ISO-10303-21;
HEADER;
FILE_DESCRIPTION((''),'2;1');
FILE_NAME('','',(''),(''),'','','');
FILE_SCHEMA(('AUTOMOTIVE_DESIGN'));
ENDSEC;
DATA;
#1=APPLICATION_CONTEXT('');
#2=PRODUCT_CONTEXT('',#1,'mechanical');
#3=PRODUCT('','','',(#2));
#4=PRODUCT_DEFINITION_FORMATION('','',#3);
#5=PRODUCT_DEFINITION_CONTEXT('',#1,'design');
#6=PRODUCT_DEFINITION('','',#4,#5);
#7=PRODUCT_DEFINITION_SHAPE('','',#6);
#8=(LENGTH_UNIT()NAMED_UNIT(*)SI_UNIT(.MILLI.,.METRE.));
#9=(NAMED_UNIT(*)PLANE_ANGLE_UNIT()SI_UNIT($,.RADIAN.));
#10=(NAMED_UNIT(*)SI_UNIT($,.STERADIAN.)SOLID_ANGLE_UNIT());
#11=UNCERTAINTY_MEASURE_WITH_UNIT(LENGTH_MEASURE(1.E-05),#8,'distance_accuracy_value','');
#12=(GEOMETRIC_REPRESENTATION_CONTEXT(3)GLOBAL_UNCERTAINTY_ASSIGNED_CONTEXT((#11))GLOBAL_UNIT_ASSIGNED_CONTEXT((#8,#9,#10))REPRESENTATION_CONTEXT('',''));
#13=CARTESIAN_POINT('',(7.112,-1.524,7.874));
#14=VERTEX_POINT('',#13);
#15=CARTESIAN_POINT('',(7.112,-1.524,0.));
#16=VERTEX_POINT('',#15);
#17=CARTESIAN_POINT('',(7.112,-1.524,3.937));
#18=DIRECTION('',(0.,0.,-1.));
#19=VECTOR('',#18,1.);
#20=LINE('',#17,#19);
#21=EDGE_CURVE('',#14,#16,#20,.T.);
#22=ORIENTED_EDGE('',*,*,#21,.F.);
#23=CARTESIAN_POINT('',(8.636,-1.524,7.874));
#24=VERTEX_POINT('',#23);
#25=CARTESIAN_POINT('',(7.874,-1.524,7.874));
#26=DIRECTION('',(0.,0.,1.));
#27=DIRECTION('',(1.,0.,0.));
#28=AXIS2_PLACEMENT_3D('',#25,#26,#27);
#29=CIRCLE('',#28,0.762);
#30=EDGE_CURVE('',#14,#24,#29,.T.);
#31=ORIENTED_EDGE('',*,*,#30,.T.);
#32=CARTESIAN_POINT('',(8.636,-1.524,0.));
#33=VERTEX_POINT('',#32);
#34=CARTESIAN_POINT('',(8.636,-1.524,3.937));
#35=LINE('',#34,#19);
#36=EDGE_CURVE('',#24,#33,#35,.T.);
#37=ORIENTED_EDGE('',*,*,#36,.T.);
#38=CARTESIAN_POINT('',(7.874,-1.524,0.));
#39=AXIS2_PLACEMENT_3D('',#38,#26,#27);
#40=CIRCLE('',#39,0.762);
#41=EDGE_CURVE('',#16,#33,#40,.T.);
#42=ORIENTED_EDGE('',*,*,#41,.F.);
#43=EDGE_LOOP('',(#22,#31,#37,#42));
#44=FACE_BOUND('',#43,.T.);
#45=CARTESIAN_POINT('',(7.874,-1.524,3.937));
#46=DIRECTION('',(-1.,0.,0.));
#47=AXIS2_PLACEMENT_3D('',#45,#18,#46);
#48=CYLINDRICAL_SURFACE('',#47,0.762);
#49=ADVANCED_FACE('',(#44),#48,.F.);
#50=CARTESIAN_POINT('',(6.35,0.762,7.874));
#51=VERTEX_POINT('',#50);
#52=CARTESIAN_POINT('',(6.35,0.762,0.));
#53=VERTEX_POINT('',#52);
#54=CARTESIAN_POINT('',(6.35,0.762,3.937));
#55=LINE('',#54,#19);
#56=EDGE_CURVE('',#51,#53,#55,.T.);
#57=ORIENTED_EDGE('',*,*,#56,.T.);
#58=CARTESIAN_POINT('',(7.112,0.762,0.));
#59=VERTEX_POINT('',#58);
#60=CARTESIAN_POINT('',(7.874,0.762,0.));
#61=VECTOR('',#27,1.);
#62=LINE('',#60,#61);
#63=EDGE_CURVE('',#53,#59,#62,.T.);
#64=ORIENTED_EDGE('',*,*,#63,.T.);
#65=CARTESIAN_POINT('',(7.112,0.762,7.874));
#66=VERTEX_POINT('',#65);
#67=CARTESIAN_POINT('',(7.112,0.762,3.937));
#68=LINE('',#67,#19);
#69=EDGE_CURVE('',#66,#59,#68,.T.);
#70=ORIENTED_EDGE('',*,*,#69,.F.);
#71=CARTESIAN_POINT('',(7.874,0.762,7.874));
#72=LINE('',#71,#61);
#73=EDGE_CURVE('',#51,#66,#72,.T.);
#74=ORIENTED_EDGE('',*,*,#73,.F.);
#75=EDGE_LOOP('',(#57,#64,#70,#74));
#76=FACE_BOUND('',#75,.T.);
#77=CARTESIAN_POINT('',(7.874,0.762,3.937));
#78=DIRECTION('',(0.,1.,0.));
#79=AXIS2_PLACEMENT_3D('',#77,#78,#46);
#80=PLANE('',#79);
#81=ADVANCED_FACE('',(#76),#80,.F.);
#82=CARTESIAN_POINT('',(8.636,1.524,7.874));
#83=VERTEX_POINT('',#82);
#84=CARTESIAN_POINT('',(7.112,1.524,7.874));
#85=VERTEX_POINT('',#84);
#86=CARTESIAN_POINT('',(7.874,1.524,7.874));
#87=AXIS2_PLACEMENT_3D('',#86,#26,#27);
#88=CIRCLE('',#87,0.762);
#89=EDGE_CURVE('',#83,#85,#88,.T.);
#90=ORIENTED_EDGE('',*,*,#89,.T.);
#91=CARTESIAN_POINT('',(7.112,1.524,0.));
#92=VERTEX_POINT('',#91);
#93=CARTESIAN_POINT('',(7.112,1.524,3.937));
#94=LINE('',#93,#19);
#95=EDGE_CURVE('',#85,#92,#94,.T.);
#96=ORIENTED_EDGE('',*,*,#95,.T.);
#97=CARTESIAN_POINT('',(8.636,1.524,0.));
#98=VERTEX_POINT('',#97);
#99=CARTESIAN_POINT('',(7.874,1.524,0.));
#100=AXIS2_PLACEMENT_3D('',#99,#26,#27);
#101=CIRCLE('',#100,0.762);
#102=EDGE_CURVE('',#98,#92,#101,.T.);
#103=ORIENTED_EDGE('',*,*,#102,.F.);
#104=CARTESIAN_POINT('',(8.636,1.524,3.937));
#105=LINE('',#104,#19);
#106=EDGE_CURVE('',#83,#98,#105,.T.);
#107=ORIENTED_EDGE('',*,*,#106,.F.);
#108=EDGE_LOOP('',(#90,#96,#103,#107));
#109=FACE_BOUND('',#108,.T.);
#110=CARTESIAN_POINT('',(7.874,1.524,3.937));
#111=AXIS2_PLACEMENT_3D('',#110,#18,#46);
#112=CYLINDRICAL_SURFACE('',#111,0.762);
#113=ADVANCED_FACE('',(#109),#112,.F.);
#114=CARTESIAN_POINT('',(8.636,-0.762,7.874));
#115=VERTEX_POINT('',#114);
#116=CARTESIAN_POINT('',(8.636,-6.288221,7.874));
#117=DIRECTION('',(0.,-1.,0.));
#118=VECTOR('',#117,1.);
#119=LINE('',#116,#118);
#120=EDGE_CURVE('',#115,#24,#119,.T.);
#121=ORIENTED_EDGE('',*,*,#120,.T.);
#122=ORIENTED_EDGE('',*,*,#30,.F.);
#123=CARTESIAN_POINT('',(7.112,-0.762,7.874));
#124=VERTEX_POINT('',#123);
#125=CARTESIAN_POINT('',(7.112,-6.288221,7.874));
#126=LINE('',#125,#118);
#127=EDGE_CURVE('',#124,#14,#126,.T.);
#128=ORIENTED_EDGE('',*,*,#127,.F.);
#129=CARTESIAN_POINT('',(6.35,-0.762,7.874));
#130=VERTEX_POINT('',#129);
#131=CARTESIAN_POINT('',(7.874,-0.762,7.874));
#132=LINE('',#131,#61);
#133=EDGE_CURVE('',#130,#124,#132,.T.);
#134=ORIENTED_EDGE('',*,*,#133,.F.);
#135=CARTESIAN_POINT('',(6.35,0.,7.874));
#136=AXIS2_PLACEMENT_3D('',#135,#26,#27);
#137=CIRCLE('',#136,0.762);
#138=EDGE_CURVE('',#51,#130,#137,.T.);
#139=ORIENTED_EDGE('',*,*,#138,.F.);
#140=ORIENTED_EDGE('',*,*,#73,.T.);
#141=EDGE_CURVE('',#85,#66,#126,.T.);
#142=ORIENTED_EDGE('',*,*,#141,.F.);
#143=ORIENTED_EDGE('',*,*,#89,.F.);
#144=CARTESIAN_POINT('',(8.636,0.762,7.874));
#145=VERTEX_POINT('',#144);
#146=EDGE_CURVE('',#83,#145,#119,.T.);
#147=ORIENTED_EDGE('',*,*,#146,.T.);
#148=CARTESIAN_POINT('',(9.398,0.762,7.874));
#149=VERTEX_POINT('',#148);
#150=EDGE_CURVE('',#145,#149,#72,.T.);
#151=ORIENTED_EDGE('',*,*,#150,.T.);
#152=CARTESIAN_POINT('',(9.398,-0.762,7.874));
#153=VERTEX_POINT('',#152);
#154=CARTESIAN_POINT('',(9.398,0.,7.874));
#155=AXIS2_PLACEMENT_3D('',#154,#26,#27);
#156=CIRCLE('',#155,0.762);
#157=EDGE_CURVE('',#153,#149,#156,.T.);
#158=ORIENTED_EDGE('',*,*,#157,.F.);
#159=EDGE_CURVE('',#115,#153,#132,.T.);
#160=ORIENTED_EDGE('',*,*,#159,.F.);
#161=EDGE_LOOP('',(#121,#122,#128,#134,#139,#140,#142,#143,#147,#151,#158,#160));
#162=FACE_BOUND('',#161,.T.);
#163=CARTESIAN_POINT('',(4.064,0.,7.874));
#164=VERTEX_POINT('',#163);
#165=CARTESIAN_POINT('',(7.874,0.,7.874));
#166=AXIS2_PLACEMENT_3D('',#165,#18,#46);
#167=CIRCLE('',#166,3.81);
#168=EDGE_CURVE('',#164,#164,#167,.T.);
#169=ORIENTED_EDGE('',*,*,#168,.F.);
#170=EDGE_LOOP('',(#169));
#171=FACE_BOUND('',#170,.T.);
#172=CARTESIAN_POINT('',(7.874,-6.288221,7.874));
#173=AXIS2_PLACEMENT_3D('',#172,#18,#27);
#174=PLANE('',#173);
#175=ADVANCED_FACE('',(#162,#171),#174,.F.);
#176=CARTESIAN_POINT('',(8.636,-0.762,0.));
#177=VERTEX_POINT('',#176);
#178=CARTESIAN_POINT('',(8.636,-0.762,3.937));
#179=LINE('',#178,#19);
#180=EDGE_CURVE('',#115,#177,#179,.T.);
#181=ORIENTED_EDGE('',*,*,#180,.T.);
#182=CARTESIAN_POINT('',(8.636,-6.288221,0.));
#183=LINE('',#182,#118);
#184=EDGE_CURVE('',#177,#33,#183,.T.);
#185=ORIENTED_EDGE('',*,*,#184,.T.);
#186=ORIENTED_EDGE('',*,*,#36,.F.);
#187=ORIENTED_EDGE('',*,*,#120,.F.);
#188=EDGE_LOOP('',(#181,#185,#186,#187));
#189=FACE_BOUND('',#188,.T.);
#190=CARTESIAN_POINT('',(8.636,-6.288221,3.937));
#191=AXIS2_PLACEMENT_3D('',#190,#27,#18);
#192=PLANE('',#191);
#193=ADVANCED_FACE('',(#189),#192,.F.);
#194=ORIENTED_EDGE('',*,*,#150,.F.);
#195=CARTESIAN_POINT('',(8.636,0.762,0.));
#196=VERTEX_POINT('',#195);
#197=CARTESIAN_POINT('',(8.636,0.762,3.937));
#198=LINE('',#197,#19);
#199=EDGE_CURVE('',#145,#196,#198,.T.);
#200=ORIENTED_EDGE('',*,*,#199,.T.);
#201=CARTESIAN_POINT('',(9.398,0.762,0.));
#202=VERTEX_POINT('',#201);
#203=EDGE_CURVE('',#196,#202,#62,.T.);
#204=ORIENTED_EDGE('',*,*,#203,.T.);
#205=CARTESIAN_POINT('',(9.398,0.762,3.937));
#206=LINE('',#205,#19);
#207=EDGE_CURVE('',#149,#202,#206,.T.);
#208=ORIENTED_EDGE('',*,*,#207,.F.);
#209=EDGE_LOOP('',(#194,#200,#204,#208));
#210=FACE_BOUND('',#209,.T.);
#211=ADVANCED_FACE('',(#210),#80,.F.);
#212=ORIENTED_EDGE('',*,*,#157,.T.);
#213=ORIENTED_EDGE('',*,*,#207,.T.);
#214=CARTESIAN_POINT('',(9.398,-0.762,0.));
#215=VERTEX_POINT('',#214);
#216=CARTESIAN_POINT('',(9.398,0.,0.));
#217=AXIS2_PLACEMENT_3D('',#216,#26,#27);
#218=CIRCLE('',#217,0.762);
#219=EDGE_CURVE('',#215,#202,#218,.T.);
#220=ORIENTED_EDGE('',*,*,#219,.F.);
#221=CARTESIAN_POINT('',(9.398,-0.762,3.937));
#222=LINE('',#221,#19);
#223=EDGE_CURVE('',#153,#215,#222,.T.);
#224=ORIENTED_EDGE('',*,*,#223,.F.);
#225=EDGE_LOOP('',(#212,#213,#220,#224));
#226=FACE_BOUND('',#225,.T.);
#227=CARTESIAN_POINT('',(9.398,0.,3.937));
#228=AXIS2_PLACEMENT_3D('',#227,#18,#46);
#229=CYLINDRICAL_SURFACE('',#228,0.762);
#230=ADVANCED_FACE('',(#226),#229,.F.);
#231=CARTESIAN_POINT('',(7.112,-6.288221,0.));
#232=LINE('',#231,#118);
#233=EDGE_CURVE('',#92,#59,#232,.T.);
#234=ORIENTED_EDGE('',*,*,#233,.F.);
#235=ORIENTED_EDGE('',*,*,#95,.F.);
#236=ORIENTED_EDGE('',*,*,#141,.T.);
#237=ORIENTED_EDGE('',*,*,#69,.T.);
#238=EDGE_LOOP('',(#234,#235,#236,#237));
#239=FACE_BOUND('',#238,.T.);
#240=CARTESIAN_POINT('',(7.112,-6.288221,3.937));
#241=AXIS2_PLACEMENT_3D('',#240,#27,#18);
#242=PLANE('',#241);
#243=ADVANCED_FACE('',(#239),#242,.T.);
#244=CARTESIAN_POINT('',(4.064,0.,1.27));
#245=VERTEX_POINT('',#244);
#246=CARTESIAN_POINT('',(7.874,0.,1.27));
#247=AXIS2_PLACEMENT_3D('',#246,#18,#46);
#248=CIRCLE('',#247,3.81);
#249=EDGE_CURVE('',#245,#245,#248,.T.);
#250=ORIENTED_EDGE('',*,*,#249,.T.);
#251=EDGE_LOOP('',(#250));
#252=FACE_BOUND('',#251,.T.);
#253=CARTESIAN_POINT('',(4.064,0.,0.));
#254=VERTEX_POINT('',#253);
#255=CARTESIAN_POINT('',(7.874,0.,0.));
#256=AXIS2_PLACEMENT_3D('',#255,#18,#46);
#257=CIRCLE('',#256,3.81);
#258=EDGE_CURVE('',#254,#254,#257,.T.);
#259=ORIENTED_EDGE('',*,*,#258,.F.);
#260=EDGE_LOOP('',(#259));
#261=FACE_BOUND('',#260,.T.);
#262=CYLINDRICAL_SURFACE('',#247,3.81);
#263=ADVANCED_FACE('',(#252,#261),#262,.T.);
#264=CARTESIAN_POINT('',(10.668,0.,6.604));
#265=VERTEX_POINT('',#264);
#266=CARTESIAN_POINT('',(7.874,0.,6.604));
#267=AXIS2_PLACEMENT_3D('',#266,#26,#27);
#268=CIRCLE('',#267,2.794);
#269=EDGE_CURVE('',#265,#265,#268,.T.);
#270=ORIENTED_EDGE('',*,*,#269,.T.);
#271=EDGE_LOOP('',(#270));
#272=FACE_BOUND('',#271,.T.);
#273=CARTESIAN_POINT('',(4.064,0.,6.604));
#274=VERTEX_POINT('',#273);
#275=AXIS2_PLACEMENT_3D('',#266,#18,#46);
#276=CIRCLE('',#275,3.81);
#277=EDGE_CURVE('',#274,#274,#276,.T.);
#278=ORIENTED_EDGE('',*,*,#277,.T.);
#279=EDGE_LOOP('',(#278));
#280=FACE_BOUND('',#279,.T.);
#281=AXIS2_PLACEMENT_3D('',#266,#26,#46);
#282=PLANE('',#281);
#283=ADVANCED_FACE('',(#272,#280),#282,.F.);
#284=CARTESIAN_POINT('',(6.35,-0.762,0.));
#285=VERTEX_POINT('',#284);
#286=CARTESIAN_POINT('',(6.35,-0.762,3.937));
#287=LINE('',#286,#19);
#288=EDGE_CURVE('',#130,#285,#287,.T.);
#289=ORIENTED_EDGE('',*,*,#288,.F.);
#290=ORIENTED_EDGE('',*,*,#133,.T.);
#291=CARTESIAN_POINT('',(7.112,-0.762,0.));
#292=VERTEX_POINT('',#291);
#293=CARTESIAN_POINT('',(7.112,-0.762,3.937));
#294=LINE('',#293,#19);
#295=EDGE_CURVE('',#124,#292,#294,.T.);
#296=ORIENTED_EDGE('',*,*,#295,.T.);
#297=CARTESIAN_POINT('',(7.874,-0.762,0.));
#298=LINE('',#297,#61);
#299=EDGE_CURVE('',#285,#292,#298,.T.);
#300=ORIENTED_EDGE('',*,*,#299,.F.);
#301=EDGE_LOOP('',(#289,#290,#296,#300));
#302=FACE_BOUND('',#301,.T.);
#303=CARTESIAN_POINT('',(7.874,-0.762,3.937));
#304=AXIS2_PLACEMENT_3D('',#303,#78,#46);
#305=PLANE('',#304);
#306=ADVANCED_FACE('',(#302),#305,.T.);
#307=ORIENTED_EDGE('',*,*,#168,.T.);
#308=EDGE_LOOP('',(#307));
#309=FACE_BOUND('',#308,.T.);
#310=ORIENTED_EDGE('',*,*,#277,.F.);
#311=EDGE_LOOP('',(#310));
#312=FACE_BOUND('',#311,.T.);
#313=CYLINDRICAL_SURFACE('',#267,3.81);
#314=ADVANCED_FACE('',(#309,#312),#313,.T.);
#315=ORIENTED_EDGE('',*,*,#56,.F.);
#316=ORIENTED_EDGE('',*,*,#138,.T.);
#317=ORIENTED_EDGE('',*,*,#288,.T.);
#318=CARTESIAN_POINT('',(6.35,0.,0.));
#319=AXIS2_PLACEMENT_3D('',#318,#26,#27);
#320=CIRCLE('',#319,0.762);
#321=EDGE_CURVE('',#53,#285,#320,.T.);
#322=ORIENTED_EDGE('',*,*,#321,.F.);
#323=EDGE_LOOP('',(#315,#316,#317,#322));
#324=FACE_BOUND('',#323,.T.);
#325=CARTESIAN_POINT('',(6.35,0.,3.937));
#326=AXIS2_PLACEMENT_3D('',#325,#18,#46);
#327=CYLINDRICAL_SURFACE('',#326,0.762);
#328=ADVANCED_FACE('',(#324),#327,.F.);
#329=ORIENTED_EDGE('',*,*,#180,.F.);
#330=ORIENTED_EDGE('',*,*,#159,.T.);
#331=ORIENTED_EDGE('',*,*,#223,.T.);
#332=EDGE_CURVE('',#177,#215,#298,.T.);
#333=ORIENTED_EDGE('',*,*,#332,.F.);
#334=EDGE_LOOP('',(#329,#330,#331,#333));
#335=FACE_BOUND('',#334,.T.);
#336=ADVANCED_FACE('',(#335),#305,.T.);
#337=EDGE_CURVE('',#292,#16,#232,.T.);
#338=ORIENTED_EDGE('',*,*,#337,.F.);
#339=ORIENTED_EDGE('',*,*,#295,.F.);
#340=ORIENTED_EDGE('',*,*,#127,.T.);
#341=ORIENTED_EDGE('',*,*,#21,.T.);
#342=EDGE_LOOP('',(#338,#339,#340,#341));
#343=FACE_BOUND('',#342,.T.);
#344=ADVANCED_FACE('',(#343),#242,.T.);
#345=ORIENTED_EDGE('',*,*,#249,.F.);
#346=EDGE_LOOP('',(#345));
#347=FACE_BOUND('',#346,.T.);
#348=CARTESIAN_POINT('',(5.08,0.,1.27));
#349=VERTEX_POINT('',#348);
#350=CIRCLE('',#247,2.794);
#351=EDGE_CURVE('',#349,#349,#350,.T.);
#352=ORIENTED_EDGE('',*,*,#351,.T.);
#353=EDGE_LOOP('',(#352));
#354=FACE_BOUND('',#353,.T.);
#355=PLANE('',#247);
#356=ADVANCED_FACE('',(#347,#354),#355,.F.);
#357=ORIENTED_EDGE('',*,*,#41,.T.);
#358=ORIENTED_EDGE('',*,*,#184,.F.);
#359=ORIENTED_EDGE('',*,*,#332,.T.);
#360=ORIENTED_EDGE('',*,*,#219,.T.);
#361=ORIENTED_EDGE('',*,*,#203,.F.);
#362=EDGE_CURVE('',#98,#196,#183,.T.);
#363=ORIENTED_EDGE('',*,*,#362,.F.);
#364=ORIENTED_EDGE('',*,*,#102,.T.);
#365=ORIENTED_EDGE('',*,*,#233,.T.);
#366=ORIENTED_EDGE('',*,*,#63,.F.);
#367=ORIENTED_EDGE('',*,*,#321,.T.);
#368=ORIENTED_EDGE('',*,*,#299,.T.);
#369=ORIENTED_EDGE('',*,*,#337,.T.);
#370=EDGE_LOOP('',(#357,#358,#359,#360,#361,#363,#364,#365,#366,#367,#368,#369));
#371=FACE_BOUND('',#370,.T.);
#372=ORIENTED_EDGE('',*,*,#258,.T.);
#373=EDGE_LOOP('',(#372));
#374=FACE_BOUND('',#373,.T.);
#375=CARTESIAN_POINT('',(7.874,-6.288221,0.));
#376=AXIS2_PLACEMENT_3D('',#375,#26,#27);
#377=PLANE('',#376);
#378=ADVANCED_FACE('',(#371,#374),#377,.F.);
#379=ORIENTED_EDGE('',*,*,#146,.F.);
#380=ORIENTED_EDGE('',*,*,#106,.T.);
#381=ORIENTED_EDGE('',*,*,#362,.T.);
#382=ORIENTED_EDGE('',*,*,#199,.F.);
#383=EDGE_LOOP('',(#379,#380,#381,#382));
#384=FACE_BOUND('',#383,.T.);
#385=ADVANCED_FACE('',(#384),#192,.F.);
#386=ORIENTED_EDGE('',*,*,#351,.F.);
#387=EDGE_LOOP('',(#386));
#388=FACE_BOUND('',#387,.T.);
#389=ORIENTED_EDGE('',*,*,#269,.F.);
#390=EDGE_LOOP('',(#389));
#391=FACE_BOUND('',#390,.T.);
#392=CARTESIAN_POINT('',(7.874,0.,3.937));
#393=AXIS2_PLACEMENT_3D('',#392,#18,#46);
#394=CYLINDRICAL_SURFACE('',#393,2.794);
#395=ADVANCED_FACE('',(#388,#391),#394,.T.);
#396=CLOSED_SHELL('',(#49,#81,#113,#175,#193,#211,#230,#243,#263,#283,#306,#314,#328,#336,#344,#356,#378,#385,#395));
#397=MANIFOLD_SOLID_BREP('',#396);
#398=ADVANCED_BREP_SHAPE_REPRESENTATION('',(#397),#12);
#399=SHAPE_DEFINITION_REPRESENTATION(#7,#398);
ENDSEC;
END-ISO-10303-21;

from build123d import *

# Parameters (mm, degrees)
SKETCH1_R           = 2.794
BOSS_EXTRUDE1_DEPTH = 3.937
SKETCH2_R           = 3.81
SKETCH2_R_2         = 2.794
BOSS_EXTRUDE2_DEPTH = 1.27


with BuildPart() as part:
    # Sketch1 → Boss-Extrude1 (new body)
    with BuildSketch(Plane.XY):
        with Locations((7.874, 0)):
            Circle(SKETCH1_R)
        with BuildLine():
            Line((6.35, 0.762), (7.112, 0.762))
            Line((7.112, 0.762), (7.112, 1.524))
            ThreePointArc((7.112, 1.524), (7.874, 2.286), (8.636, 1.524))
            Line((8.636, 1.524), (8.636, 0.762))
            Line((8.636, 0.762), (9.398, 0.762))
            ThreePointArc((9.398, 0.762), (10.16, 0), (9.398, -0.762))
            Line((9.398, -0.762), (8.636, -0.762))
            Line((8.636, -0.762), (8.636, -1.524))
            ThreePointArc((8.636, -1.524), (7.874, -2.286), (7.112, -1.524))
            Line((7.112, -1.524), (7.112, -0.762))
            Line((7.112, -0.762), (6.35, -0.762))
            ThreePointArc((6.35, -0.762), (5.588, 0), (6.35, 0.762))
        make_face(mode=Mode.SUBTRACT)
    boss_extrude1 = extrude(amount=BOSS_EXTRUDE1_DEPTH)

    # Sketch2 → Boss-Extrude2 (add)
    with BuildSketch(Plane(origin=(0, 0, 0), x_dir=(-1, 0, 0), z_dir=(0, 0, -1))):
        with Locations((-7.874, 0)):
            Circle(SKETCH2_R)
        with Locations((-7.874, 0)):
            Circle(SKETCH2_R_2, mode=Mode.SUBTRACT)
    boss_extrude2 = extrude(amount=-BOSS_EXTRUDE2_DEPTH)

    # Mirror1: Boss-Extrude1, Boss-Extrude2 across plane
    add(boss_extrude1.mirror(Plane.XY.offset(3.937)))
    add(boss_extrude2.mirror(Plane.XY.offset(3.937)))


solid = part.part
